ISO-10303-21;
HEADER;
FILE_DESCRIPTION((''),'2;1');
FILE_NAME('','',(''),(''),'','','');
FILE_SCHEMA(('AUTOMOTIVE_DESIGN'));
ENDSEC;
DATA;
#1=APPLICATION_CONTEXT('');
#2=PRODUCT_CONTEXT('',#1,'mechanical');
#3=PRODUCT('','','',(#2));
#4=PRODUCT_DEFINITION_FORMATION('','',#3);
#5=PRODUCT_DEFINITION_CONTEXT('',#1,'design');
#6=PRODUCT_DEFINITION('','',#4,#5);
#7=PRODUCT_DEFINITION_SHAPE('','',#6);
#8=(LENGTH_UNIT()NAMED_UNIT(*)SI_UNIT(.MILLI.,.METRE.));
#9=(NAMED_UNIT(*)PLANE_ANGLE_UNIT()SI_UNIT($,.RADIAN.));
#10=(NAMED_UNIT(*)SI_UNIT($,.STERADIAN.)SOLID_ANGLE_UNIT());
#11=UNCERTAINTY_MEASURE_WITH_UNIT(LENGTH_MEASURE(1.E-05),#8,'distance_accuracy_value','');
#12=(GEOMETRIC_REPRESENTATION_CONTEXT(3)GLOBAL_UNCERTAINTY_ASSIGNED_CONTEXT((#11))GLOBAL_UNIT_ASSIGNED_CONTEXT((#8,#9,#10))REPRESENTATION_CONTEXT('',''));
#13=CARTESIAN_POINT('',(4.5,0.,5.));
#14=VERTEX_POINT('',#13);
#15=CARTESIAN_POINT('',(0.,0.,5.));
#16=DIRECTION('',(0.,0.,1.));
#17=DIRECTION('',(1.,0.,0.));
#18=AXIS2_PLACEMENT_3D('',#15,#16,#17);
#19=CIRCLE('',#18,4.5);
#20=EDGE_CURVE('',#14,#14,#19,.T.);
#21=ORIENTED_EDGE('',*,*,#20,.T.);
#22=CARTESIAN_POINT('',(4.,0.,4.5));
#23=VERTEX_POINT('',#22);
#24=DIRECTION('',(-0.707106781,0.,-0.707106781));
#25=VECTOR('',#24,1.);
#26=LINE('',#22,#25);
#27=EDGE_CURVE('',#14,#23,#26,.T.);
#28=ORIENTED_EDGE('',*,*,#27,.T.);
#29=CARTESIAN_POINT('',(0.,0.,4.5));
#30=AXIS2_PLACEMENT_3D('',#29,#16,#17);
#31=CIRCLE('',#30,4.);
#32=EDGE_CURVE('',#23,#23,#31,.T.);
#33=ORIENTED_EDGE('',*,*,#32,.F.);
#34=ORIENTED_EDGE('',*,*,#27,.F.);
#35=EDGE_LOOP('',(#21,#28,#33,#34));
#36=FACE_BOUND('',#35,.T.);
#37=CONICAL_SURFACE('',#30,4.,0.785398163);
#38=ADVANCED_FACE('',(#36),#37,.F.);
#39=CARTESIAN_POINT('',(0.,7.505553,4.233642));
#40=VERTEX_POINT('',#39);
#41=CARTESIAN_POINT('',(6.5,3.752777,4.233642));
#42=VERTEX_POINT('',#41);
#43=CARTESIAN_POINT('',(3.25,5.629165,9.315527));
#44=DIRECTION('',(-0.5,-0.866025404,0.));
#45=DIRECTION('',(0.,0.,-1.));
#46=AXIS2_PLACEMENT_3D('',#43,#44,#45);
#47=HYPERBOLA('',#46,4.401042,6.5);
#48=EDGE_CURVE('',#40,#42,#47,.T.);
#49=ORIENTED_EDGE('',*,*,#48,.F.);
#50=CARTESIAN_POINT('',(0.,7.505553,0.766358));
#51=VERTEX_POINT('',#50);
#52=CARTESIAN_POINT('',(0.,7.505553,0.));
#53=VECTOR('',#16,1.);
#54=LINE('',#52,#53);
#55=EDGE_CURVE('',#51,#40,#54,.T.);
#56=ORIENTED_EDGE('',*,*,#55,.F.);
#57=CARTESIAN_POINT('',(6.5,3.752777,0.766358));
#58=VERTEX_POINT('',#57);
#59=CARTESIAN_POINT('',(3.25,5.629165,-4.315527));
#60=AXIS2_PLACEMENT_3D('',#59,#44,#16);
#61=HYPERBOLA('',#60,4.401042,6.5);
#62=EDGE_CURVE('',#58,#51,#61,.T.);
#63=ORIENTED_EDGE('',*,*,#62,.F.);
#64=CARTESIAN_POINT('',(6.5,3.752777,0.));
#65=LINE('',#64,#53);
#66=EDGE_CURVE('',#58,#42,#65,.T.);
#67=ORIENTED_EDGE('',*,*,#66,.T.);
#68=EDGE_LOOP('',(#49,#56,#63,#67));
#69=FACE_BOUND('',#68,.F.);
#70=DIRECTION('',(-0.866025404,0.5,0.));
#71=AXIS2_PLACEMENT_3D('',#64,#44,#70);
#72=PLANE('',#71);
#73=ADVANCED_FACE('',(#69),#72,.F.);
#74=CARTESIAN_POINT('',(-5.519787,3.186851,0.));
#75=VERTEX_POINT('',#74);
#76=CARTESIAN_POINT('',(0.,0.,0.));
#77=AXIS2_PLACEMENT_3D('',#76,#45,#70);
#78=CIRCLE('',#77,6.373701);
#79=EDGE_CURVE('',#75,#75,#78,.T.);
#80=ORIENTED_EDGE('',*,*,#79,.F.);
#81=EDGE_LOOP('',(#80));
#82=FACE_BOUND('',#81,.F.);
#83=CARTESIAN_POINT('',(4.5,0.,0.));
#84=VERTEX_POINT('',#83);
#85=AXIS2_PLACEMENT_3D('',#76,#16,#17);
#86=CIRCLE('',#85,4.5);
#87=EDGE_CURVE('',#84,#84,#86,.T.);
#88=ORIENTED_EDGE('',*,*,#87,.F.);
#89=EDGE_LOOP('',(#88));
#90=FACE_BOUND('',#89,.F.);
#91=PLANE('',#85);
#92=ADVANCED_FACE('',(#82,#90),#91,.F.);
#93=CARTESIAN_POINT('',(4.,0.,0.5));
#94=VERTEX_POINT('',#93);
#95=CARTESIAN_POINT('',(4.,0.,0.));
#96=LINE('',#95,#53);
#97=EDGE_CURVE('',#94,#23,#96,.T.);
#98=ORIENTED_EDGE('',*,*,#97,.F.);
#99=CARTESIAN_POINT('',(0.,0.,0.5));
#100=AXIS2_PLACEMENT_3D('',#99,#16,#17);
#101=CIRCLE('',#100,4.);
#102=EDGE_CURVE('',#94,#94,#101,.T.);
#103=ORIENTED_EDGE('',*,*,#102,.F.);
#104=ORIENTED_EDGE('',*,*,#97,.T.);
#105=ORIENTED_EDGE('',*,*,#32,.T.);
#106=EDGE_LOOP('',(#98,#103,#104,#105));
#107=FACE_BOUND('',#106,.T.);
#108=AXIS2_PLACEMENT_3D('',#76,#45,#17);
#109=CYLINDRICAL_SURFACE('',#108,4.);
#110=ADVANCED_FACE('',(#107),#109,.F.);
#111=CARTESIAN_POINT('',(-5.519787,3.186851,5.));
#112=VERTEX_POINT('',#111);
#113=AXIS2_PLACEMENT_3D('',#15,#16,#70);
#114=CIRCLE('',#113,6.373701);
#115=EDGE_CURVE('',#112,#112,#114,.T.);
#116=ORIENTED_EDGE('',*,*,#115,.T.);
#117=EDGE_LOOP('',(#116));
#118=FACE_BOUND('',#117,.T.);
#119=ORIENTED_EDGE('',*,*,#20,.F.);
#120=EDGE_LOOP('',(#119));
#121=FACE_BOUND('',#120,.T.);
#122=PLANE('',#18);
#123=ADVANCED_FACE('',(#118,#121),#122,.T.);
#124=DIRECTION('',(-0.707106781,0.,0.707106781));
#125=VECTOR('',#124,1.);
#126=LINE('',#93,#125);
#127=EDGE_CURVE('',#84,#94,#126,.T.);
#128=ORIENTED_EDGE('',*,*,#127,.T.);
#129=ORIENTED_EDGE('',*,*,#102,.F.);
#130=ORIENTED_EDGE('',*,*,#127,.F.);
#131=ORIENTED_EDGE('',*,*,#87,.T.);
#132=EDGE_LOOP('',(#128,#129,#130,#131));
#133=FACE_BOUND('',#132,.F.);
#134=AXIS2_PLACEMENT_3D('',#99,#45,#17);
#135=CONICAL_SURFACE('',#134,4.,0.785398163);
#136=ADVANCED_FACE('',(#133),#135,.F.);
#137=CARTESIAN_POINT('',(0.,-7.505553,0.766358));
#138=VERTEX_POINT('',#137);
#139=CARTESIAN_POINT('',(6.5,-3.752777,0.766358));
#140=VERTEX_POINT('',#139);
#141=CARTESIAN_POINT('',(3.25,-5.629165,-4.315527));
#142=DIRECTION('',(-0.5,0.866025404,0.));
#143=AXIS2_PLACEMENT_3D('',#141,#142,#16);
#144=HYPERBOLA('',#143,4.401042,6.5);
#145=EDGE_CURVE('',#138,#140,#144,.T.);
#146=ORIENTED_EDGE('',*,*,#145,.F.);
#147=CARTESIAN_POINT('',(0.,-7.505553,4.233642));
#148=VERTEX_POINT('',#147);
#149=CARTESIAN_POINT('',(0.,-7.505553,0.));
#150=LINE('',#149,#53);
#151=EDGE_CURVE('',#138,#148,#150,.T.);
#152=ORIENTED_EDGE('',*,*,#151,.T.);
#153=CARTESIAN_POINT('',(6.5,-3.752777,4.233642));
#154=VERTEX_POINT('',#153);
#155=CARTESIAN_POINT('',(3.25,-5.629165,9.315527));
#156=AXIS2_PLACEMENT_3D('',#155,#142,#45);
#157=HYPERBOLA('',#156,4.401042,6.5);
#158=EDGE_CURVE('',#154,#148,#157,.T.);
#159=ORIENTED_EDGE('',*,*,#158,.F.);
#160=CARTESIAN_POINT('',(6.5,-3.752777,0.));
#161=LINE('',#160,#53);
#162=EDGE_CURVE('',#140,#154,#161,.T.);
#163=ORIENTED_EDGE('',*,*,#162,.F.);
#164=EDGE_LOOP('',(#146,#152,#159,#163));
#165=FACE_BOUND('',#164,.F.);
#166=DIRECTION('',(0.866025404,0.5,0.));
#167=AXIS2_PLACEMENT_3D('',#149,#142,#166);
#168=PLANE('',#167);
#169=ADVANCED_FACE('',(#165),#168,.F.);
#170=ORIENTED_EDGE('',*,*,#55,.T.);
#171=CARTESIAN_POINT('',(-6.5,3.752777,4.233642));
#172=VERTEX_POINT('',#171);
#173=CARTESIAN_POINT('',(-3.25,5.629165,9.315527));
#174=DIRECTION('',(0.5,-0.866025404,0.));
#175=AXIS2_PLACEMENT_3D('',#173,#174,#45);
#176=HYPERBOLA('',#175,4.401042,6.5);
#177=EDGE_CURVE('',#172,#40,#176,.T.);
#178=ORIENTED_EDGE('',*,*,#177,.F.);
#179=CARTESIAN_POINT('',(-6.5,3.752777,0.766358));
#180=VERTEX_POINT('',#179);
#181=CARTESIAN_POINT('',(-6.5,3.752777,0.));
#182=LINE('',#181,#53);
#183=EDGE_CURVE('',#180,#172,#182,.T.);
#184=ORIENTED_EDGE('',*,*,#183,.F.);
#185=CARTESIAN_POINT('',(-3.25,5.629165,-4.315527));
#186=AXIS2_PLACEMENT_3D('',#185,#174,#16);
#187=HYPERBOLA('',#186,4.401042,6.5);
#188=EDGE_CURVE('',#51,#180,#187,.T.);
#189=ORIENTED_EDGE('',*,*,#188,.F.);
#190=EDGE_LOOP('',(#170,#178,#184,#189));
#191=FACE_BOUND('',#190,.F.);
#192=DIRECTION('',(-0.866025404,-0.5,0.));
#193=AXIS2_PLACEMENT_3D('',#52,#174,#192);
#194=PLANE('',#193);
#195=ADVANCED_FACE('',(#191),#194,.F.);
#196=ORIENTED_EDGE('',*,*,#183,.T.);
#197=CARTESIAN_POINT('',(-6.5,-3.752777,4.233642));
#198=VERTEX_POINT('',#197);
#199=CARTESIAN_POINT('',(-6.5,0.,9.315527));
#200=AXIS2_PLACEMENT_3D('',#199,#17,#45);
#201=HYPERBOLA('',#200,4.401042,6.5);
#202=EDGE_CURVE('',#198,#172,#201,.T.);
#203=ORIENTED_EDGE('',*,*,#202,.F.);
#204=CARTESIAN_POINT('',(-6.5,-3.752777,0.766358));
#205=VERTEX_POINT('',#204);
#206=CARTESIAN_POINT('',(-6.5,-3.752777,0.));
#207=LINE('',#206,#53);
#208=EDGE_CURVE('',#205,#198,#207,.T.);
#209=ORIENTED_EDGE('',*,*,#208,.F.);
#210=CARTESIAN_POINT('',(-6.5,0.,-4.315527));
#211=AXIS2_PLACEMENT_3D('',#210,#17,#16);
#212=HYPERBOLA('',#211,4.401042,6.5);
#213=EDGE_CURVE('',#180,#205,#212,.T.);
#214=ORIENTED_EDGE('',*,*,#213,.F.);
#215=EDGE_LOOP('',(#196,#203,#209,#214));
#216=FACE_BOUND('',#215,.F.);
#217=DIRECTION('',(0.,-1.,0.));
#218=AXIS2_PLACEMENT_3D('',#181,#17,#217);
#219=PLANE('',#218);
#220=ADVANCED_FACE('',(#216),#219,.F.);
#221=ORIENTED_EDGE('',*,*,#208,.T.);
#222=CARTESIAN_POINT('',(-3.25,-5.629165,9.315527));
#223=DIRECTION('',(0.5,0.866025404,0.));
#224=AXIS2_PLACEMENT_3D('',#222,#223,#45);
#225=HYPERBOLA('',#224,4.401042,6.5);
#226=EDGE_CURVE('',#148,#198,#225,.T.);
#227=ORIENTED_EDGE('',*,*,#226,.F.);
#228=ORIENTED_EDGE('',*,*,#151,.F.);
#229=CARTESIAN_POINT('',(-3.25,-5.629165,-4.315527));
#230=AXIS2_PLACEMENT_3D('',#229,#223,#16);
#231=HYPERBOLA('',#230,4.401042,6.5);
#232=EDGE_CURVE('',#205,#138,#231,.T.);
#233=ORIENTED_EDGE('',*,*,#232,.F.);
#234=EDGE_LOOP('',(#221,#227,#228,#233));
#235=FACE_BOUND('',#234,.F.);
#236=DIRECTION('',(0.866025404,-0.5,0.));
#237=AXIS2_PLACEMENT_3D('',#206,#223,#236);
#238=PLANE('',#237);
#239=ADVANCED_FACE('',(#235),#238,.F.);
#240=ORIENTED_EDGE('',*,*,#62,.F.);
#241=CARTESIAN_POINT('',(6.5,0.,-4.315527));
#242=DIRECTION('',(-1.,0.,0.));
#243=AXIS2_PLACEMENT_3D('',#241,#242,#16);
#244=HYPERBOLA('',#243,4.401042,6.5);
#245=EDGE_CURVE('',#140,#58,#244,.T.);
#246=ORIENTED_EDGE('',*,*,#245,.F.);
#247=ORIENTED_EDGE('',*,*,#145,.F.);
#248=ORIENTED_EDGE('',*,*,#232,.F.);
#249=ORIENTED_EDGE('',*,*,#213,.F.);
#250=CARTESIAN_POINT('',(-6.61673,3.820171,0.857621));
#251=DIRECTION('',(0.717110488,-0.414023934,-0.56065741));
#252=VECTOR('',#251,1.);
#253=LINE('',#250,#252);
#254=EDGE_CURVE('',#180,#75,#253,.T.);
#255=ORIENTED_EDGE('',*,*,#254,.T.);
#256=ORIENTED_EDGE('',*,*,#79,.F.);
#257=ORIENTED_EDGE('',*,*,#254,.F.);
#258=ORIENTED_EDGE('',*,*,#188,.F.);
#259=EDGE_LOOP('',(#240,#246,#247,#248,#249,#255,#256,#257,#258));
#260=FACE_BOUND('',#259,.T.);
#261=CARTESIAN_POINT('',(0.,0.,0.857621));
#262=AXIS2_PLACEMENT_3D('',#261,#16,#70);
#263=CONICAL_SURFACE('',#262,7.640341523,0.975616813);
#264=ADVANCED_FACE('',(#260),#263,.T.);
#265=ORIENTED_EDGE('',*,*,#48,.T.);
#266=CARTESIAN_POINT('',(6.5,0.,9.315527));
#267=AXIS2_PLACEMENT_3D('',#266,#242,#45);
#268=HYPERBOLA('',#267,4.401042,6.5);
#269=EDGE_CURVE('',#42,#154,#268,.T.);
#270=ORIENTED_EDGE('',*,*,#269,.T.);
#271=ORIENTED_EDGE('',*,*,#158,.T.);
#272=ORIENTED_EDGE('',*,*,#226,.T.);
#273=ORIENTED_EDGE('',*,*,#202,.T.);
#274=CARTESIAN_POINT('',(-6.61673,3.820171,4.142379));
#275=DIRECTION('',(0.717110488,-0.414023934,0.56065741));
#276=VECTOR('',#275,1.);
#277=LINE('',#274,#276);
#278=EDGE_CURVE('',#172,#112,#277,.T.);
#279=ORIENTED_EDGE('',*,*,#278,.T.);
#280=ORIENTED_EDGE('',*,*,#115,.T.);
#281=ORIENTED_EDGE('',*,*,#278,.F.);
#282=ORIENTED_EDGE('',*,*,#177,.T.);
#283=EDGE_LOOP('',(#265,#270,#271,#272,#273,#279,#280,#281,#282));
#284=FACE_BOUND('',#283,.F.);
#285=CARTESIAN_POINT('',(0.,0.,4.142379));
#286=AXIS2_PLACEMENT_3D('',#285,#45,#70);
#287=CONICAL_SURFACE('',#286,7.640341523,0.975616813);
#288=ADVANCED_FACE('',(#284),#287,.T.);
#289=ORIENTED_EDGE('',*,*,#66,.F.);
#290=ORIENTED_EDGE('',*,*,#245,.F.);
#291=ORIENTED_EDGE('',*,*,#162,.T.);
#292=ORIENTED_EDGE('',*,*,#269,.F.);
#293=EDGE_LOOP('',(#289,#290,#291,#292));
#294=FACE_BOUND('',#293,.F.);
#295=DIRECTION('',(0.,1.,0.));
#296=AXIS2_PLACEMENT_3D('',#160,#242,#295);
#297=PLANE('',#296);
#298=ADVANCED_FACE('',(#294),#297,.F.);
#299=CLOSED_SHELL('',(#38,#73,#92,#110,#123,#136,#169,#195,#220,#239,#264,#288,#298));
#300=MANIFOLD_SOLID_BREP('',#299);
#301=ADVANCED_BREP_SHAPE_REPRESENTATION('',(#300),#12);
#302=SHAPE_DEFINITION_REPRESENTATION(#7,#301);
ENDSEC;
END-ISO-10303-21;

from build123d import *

# Parameters (mm, degrees)
SKETCH_1_R      = 4
EXTRUDE_1_DEPTH = 5
CHAMFER_1_SIZE  = 0.5


with BuildPart() as part:
    # 草图1 → 凸台-拉伸1 (new body)
    with BuildSketch(Plane.XY):
        Polygon((0, 7.505553499), (-6.5, 3.75277675), (-6.5, -3.75277675), (0, -7.505553499), (6.5, -3.75277675), (6.5, 3.75277675), align=None)
        Circle(SKETCH_1_R, mode=Mode.SUBTRACT)
    extrude(amount=EXTRUDE_1_DEPTH)

    # 草图2 → 切除-旋转1 (revolve, cut)
    with BuildSketch(Plane(origin=(0, 0, 0), x_dir=(0, 0, -1), z_dir=(1, 0, 0)), mode=Mode.PRIVATE) as cut_revolve_1_sk:
        Polygon((-4.142378968, 7.640341523), (-5.294673063, 5.938491783), (-5.294673063, 7.640341523), align=None)
    cut_revolve_1 = revolve(cut_revolve_1_sk.sketch.rotate(Axis((0, 0, 5), (0, 0, -1)), 300.000000026), axis=Axis((0, 0, 5), (0, 0, -1)), mode=Mode.SUBTRACT)

    # 镜向2: 切除-旋转1 across plane
    add(cut_revolve_1.mirror(Plane(origin=(0, 0, 2.5), x_dir=(1, 0, 0), z_dir=(0, 0, -1))), mode=Mode.SUBTRACT)

    # 倒角1
    chamfer_1_edges = [part.edges().sort_by_distance(p)[0] for p in [
        (-4, 0, 0),
        (-4, 0, 5),
    ]]
    chamfer(chamfer_1_edges, length=CHAMFER_1_SIZE)


solid = part.part
